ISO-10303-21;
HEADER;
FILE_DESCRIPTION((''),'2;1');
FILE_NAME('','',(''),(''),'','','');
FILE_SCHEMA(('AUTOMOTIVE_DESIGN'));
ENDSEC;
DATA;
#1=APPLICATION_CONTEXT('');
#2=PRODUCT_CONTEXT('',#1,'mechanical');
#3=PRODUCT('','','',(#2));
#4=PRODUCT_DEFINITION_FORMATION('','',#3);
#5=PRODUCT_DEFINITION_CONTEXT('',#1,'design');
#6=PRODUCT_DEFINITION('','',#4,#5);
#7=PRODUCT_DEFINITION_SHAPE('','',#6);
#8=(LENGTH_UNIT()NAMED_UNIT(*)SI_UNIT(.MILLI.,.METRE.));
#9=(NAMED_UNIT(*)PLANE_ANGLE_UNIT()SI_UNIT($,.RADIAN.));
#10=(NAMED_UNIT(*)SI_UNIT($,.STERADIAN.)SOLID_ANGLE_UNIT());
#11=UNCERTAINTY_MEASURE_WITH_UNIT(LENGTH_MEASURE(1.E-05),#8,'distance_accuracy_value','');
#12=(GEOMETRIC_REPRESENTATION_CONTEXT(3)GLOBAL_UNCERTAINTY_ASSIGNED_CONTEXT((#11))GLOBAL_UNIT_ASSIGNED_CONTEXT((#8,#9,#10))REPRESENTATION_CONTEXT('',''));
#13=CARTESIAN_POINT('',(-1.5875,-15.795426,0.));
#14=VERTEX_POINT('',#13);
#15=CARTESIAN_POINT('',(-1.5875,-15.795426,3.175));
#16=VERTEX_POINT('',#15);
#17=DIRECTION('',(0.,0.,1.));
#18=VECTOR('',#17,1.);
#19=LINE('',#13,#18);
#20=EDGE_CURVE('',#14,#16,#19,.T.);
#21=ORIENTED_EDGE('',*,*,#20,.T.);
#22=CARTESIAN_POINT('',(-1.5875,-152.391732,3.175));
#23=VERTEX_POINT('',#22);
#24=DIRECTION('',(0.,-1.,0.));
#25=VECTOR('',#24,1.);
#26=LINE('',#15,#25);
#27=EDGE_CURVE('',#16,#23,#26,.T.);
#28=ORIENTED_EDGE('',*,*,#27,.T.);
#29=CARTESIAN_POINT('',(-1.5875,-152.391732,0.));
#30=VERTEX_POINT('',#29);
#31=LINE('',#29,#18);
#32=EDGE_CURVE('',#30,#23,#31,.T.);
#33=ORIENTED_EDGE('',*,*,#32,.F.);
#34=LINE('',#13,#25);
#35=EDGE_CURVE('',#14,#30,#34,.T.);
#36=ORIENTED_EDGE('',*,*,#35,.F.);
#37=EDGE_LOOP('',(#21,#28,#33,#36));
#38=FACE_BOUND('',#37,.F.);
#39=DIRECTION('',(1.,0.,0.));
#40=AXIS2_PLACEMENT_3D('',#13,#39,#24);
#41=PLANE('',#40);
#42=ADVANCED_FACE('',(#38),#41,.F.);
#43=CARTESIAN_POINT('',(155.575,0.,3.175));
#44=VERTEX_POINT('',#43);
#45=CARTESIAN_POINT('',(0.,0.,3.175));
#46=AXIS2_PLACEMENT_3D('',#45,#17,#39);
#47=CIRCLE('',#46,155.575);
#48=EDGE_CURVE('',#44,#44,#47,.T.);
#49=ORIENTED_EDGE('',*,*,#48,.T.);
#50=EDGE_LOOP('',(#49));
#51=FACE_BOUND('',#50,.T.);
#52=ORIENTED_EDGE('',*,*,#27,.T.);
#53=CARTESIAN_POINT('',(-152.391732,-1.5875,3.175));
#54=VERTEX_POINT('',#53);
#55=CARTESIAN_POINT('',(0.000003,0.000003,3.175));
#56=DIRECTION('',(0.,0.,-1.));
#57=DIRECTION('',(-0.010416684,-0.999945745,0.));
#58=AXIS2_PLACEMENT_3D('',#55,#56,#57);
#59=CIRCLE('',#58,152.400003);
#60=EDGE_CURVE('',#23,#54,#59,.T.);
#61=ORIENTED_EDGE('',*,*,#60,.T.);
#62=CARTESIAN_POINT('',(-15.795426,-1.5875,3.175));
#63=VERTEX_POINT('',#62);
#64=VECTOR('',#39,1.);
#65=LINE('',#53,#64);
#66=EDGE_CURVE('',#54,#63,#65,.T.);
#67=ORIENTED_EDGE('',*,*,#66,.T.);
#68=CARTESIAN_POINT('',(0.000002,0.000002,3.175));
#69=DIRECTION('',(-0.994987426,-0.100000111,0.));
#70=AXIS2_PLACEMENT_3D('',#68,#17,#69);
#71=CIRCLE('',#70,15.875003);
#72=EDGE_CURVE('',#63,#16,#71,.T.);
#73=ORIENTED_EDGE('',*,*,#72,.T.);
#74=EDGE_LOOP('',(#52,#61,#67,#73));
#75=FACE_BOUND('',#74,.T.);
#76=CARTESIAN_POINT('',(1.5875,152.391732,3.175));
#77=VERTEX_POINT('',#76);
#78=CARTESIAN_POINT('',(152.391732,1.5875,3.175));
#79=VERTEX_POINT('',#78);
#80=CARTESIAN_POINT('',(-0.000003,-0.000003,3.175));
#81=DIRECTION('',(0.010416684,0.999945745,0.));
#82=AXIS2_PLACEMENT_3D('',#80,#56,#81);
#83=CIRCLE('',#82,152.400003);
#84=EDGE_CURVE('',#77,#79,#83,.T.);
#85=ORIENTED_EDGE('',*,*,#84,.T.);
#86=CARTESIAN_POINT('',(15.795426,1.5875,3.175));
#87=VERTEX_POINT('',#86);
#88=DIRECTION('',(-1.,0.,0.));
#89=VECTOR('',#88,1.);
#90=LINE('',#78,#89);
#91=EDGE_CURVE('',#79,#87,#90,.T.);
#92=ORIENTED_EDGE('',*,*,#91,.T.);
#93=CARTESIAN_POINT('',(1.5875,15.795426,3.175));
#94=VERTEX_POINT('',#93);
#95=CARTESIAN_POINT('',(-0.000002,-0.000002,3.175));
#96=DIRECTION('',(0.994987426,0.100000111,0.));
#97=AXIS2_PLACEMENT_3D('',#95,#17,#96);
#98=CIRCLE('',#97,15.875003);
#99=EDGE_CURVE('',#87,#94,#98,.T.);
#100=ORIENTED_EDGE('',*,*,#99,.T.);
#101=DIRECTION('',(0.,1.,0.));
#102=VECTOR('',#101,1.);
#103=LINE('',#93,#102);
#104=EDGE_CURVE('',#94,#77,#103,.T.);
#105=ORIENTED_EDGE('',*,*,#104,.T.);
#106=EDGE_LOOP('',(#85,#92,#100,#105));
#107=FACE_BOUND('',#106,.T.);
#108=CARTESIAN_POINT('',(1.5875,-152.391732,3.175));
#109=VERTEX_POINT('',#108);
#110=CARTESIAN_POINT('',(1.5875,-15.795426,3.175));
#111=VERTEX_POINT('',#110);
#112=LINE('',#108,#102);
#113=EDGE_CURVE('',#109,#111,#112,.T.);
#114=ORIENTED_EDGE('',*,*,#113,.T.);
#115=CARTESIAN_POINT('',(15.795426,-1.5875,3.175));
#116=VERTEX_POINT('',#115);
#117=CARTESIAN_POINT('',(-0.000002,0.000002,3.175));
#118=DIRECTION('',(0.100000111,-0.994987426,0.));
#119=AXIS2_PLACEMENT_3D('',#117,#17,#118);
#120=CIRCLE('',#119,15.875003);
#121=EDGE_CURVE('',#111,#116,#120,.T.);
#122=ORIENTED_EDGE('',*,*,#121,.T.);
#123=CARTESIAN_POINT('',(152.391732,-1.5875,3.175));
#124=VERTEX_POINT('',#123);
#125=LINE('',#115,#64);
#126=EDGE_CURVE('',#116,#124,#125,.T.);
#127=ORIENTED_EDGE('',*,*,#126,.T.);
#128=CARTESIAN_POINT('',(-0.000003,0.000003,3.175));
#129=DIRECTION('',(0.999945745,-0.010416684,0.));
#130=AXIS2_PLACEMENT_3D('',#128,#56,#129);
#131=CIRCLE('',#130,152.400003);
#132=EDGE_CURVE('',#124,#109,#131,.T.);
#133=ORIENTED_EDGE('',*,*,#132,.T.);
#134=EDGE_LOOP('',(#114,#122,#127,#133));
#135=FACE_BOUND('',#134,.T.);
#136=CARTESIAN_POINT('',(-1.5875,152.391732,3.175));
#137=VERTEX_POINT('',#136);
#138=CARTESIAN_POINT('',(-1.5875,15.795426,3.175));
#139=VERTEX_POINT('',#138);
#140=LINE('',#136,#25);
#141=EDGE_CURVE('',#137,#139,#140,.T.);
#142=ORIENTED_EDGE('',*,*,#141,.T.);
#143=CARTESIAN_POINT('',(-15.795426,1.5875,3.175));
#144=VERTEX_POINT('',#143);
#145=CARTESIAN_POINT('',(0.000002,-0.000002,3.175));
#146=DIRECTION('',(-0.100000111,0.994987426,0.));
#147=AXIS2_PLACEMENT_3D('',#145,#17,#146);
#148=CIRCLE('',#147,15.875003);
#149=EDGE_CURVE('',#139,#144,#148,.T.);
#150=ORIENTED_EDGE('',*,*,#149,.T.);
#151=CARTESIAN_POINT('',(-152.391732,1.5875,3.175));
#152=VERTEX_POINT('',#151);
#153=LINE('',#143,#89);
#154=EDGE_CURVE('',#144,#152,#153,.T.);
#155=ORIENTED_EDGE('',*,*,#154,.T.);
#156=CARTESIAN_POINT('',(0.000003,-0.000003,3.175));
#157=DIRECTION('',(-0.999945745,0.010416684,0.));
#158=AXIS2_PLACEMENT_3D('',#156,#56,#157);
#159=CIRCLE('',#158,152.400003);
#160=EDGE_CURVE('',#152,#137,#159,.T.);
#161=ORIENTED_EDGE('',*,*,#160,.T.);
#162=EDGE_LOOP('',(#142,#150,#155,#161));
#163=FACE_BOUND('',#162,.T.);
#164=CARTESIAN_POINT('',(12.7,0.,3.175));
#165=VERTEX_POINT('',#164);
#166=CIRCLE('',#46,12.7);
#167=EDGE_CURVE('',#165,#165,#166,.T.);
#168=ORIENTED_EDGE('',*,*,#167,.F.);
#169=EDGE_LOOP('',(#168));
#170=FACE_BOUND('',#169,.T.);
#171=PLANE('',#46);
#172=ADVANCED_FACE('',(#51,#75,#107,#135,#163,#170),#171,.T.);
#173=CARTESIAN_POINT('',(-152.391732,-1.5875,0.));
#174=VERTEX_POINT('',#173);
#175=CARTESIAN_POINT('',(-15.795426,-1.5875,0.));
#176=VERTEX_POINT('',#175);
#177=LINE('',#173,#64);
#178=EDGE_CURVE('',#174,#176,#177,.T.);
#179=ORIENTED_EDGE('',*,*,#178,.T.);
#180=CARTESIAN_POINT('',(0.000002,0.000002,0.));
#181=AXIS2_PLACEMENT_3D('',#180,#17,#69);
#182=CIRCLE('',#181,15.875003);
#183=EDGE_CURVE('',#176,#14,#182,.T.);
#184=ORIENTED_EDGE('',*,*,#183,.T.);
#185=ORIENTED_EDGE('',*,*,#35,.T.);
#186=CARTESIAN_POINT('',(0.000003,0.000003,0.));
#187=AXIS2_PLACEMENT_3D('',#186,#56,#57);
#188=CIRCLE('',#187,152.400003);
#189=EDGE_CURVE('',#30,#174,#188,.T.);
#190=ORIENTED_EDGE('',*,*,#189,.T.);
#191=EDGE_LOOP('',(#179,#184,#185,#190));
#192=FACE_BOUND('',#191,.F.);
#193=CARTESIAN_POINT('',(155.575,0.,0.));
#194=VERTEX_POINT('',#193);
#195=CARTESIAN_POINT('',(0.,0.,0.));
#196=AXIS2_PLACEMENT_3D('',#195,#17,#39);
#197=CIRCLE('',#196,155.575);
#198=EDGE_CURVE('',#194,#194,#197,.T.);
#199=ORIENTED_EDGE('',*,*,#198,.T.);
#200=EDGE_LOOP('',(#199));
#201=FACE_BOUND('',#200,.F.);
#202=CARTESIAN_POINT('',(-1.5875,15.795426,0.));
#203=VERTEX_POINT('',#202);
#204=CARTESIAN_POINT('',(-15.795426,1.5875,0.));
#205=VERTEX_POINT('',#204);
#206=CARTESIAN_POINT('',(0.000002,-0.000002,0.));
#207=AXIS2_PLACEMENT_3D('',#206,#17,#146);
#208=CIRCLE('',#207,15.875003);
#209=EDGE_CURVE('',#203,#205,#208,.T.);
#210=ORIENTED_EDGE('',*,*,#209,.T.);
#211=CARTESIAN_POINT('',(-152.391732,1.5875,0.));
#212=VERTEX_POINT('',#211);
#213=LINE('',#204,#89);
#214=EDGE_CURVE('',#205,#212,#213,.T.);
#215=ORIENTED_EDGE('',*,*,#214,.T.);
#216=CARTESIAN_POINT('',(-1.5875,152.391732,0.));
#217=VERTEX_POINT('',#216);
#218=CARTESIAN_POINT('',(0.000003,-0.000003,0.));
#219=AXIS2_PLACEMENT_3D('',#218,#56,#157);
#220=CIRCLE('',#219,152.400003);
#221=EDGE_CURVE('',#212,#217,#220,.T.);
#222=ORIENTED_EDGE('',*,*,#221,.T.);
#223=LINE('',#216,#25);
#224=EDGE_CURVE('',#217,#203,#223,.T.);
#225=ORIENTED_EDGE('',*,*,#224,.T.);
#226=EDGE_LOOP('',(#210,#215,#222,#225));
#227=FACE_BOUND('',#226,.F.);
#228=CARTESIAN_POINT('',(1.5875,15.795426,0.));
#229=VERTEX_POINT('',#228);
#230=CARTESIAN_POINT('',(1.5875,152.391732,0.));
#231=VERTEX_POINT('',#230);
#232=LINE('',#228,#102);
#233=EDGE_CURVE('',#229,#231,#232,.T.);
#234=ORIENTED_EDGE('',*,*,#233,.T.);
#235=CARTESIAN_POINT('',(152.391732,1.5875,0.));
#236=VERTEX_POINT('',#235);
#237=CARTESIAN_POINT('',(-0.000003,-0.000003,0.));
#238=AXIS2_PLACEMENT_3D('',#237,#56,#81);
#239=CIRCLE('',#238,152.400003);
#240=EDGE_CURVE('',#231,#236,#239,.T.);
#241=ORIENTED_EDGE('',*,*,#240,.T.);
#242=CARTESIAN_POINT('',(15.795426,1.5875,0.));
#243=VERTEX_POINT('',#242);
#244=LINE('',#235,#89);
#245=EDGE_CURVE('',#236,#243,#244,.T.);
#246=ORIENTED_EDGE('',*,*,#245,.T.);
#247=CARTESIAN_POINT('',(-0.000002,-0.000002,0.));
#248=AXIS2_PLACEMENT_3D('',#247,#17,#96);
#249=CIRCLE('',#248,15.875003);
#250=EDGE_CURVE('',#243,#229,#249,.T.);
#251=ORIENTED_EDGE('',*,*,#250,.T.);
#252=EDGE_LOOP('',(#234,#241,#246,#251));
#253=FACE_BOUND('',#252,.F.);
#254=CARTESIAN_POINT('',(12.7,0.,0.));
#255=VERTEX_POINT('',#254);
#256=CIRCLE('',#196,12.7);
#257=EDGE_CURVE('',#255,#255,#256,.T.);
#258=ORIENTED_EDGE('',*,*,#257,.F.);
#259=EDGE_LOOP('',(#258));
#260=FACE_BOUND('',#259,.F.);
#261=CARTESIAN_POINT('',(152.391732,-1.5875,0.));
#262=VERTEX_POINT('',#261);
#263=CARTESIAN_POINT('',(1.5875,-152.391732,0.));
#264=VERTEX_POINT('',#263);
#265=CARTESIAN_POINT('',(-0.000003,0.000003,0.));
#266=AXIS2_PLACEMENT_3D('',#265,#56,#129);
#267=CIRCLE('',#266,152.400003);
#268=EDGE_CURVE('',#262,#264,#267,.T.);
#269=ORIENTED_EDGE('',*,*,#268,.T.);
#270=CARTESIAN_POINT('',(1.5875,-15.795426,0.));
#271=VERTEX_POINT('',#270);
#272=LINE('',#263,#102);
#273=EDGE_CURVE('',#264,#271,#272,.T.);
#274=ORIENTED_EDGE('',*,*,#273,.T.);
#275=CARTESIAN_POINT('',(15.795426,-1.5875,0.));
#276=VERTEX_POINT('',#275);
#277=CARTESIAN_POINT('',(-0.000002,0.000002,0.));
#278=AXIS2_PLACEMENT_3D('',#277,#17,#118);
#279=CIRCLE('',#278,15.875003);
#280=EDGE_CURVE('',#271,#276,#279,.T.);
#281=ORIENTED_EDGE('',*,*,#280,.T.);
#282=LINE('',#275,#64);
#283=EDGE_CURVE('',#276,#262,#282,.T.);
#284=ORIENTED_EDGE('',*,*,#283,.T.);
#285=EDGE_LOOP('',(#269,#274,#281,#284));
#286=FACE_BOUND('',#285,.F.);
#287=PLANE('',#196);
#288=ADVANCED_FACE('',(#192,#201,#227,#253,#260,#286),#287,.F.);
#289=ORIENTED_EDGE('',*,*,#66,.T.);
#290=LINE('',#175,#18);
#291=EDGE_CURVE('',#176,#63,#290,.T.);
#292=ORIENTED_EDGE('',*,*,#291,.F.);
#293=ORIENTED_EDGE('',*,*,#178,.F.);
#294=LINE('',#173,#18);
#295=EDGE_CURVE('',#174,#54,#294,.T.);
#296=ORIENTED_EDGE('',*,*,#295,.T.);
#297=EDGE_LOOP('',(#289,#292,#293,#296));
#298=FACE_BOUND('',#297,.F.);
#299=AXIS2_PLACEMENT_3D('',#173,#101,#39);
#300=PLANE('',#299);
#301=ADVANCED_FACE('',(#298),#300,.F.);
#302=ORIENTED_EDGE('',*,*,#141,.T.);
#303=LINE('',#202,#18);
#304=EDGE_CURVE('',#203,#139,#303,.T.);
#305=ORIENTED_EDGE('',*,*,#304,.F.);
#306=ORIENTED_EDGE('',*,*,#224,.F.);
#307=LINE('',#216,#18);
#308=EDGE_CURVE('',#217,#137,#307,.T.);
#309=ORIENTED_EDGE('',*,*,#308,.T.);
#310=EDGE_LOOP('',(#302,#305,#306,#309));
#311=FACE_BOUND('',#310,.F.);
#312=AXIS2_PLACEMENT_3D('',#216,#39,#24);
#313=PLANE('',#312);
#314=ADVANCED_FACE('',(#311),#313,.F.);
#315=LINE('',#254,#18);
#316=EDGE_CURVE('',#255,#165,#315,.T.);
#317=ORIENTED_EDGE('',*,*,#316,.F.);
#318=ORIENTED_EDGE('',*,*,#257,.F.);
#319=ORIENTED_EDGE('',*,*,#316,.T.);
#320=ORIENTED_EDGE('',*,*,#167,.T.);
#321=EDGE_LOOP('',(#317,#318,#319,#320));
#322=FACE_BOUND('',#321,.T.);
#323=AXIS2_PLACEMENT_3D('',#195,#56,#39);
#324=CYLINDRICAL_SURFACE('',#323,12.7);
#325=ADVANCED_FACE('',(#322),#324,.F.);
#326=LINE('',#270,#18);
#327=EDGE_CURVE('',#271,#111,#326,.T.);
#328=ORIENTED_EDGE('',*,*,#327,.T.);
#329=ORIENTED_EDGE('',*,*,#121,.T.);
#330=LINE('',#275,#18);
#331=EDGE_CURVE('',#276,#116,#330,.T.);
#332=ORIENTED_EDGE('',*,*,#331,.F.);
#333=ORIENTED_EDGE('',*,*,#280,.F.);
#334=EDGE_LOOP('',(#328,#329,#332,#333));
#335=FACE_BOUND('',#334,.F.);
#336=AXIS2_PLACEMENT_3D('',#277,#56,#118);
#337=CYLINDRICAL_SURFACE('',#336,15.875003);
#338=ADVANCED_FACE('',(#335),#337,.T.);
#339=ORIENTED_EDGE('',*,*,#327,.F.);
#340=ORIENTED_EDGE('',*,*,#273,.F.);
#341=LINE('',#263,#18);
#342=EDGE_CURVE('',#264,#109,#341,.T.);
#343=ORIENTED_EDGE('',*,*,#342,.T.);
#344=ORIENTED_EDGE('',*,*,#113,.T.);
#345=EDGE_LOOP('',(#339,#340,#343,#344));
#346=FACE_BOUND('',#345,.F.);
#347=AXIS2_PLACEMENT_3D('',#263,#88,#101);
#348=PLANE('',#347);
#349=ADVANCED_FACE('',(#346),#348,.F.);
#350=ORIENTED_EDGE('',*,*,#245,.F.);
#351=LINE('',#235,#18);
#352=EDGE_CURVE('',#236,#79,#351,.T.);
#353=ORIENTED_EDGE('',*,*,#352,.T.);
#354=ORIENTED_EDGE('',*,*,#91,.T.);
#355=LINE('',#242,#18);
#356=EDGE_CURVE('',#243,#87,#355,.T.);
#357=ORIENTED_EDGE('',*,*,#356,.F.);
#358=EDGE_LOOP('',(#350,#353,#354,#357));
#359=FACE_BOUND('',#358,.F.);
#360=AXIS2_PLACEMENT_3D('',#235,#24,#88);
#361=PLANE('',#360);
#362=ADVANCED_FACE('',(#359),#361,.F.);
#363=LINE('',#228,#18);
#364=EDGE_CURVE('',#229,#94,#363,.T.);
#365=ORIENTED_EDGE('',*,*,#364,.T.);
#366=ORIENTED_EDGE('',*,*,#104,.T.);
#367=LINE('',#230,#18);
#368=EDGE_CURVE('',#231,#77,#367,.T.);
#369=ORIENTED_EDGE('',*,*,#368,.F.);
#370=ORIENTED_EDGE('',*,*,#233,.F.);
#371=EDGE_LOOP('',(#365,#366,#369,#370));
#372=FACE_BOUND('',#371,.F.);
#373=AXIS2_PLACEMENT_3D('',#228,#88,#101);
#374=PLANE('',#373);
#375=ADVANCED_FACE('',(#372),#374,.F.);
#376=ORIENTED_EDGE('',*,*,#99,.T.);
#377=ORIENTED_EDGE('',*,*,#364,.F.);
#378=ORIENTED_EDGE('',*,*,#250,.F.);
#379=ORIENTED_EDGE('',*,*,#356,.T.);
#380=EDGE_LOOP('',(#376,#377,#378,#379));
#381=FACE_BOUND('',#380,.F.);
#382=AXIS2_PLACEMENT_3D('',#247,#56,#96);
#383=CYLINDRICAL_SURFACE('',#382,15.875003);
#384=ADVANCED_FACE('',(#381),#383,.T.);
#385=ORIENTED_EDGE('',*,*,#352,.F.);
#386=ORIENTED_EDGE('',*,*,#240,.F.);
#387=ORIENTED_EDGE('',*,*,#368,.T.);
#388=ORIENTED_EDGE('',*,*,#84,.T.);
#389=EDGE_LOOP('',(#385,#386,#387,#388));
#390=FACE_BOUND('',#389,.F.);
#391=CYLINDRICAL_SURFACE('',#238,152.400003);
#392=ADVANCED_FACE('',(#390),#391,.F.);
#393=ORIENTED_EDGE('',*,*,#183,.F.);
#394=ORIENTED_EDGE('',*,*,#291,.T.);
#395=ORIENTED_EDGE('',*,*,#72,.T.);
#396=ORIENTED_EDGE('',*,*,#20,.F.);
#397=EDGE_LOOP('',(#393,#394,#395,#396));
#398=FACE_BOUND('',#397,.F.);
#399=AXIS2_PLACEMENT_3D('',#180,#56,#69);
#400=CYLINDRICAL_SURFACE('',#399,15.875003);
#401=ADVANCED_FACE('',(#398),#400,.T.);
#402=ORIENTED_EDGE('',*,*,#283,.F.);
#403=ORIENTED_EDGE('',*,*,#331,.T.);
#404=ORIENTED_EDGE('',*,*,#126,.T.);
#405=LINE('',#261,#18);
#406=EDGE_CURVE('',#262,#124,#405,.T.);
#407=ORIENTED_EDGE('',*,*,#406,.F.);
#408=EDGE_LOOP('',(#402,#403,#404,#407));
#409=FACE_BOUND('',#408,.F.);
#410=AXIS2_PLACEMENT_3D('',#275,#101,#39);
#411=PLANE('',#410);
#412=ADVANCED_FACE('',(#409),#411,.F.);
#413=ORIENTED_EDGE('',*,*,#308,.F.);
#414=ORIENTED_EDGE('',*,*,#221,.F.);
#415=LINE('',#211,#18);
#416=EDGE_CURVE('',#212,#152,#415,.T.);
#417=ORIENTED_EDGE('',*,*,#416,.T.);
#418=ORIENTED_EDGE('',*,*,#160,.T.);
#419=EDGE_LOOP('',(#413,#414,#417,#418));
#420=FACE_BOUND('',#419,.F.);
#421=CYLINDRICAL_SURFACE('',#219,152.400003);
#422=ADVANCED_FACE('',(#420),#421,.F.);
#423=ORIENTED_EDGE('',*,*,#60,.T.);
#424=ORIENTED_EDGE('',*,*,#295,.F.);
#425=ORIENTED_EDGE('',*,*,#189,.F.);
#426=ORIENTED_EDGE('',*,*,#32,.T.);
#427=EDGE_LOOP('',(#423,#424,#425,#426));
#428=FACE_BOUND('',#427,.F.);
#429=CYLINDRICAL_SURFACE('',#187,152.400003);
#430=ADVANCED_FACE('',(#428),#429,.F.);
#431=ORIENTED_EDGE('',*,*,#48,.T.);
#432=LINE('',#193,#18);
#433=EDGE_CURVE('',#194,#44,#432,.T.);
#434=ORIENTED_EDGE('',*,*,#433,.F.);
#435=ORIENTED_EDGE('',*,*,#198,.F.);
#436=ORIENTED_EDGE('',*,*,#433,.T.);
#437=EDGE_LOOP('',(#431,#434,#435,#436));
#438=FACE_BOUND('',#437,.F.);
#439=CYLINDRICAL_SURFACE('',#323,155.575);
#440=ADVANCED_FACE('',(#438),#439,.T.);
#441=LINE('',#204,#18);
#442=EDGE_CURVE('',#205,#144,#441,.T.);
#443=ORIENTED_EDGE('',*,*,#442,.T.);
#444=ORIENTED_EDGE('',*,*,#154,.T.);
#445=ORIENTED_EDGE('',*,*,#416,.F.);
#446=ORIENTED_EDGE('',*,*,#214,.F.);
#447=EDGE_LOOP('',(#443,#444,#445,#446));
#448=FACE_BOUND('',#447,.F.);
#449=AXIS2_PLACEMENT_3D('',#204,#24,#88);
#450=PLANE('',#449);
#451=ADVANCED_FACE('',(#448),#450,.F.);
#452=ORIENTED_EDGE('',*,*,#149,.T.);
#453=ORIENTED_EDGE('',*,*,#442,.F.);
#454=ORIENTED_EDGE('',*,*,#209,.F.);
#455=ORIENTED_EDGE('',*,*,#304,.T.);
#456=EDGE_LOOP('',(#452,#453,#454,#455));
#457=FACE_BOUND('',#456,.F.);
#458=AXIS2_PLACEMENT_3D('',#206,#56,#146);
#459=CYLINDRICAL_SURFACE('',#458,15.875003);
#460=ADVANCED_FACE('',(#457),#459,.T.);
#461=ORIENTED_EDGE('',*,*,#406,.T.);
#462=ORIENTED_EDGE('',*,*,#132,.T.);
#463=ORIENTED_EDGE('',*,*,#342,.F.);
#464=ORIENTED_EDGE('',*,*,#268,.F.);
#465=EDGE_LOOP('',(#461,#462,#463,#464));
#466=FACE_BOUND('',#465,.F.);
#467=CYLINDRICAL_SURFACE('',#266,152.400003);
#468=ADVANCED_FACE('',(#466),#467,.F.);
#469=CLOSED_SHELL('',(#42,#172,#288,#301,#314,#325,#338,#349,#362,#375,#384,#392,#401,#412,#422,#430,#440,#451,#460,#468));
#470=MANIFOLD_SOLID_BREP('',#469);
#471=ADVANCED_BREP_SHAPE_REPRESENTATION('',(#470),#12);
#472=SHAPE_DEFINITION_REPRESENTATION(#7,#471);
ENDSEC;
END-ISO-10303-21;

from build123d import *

# Parameters (mm, degrees)
F0_R     = 155.575
F0_R_2   = 12.7
F1_DEPTH = 3.175


with BuildPart() as f1:
    # F0 (on Top) → F1 (new body)
    with BuildSketch(Plane.XY):
        Circle(F0_R)
        with BuildLine():
            Line((-1.5875, -15.795426), (-1.5875, -152.391732))
            ThreePointArc((-1.5875, -152.391732), (-107.763073, -107.763073), (-152.391732, -1.5875))
            Line((-152.391732, -1.5875), (-15.795426, -1.5875))
            ThreePointArc((-15.795426, -1.5875), (-11.22532, -11.22532), (-1.5875, -15.795426))
        make_face(mode=Mode.SUBTRACT)
        with BuildLine():
            ThreePointArc((152.391732, -1.5875), (107.763073, -107.763073), (1.5875, -152.391732))
            Line((1.5875, -152.391732), (1.5875, -15.795426))
            ThreePointArc((1.5875, -15.795426), (11.22532, -11.22532), (15.795426, -1.5875))
            Line((15.795426, -1.5875), (152.391732, -1.5875))
        make_face(mode=Mode.SUBTRACT)
        with BuildLine():
            ThreePointArc((-152.391732, 1.5875), (-107.763073, 107.763073), (-1.5875, 152.391732))
            Line((-1.5875, 152.391732), (-1.5875, 15.795426))
            ThreePointArc((-1.5875, 15.795426), (-11.22532, 11.22532), (-15.795426, 1.5875))
            Line((-15.795426, 1.5875), (-152.391732, 1.5875))
        make_face(mode=Mode.SUBTRACT)
        Circle(F0_R_2, mode=Mode.SUBTRACT)
        with BuildLine():
            Line((1.5875, 15.795426), (1.5875, 152.391732))
            ThreePointArc((1.5875, 152.391732), (107.763073, 107.763073), (152.391732, 1.5875))
            Line((152.391732, 1.5875), (15.795426, 1.5875))
            ThreePointArc((15.795426, 1.5875), (11.22532, 11.22532), (1.5875, 15.795426))
        make_face(mode=Mode.SUBTRACT)
    extrude(amount=F1_DEPTH)


solid = f1.part
